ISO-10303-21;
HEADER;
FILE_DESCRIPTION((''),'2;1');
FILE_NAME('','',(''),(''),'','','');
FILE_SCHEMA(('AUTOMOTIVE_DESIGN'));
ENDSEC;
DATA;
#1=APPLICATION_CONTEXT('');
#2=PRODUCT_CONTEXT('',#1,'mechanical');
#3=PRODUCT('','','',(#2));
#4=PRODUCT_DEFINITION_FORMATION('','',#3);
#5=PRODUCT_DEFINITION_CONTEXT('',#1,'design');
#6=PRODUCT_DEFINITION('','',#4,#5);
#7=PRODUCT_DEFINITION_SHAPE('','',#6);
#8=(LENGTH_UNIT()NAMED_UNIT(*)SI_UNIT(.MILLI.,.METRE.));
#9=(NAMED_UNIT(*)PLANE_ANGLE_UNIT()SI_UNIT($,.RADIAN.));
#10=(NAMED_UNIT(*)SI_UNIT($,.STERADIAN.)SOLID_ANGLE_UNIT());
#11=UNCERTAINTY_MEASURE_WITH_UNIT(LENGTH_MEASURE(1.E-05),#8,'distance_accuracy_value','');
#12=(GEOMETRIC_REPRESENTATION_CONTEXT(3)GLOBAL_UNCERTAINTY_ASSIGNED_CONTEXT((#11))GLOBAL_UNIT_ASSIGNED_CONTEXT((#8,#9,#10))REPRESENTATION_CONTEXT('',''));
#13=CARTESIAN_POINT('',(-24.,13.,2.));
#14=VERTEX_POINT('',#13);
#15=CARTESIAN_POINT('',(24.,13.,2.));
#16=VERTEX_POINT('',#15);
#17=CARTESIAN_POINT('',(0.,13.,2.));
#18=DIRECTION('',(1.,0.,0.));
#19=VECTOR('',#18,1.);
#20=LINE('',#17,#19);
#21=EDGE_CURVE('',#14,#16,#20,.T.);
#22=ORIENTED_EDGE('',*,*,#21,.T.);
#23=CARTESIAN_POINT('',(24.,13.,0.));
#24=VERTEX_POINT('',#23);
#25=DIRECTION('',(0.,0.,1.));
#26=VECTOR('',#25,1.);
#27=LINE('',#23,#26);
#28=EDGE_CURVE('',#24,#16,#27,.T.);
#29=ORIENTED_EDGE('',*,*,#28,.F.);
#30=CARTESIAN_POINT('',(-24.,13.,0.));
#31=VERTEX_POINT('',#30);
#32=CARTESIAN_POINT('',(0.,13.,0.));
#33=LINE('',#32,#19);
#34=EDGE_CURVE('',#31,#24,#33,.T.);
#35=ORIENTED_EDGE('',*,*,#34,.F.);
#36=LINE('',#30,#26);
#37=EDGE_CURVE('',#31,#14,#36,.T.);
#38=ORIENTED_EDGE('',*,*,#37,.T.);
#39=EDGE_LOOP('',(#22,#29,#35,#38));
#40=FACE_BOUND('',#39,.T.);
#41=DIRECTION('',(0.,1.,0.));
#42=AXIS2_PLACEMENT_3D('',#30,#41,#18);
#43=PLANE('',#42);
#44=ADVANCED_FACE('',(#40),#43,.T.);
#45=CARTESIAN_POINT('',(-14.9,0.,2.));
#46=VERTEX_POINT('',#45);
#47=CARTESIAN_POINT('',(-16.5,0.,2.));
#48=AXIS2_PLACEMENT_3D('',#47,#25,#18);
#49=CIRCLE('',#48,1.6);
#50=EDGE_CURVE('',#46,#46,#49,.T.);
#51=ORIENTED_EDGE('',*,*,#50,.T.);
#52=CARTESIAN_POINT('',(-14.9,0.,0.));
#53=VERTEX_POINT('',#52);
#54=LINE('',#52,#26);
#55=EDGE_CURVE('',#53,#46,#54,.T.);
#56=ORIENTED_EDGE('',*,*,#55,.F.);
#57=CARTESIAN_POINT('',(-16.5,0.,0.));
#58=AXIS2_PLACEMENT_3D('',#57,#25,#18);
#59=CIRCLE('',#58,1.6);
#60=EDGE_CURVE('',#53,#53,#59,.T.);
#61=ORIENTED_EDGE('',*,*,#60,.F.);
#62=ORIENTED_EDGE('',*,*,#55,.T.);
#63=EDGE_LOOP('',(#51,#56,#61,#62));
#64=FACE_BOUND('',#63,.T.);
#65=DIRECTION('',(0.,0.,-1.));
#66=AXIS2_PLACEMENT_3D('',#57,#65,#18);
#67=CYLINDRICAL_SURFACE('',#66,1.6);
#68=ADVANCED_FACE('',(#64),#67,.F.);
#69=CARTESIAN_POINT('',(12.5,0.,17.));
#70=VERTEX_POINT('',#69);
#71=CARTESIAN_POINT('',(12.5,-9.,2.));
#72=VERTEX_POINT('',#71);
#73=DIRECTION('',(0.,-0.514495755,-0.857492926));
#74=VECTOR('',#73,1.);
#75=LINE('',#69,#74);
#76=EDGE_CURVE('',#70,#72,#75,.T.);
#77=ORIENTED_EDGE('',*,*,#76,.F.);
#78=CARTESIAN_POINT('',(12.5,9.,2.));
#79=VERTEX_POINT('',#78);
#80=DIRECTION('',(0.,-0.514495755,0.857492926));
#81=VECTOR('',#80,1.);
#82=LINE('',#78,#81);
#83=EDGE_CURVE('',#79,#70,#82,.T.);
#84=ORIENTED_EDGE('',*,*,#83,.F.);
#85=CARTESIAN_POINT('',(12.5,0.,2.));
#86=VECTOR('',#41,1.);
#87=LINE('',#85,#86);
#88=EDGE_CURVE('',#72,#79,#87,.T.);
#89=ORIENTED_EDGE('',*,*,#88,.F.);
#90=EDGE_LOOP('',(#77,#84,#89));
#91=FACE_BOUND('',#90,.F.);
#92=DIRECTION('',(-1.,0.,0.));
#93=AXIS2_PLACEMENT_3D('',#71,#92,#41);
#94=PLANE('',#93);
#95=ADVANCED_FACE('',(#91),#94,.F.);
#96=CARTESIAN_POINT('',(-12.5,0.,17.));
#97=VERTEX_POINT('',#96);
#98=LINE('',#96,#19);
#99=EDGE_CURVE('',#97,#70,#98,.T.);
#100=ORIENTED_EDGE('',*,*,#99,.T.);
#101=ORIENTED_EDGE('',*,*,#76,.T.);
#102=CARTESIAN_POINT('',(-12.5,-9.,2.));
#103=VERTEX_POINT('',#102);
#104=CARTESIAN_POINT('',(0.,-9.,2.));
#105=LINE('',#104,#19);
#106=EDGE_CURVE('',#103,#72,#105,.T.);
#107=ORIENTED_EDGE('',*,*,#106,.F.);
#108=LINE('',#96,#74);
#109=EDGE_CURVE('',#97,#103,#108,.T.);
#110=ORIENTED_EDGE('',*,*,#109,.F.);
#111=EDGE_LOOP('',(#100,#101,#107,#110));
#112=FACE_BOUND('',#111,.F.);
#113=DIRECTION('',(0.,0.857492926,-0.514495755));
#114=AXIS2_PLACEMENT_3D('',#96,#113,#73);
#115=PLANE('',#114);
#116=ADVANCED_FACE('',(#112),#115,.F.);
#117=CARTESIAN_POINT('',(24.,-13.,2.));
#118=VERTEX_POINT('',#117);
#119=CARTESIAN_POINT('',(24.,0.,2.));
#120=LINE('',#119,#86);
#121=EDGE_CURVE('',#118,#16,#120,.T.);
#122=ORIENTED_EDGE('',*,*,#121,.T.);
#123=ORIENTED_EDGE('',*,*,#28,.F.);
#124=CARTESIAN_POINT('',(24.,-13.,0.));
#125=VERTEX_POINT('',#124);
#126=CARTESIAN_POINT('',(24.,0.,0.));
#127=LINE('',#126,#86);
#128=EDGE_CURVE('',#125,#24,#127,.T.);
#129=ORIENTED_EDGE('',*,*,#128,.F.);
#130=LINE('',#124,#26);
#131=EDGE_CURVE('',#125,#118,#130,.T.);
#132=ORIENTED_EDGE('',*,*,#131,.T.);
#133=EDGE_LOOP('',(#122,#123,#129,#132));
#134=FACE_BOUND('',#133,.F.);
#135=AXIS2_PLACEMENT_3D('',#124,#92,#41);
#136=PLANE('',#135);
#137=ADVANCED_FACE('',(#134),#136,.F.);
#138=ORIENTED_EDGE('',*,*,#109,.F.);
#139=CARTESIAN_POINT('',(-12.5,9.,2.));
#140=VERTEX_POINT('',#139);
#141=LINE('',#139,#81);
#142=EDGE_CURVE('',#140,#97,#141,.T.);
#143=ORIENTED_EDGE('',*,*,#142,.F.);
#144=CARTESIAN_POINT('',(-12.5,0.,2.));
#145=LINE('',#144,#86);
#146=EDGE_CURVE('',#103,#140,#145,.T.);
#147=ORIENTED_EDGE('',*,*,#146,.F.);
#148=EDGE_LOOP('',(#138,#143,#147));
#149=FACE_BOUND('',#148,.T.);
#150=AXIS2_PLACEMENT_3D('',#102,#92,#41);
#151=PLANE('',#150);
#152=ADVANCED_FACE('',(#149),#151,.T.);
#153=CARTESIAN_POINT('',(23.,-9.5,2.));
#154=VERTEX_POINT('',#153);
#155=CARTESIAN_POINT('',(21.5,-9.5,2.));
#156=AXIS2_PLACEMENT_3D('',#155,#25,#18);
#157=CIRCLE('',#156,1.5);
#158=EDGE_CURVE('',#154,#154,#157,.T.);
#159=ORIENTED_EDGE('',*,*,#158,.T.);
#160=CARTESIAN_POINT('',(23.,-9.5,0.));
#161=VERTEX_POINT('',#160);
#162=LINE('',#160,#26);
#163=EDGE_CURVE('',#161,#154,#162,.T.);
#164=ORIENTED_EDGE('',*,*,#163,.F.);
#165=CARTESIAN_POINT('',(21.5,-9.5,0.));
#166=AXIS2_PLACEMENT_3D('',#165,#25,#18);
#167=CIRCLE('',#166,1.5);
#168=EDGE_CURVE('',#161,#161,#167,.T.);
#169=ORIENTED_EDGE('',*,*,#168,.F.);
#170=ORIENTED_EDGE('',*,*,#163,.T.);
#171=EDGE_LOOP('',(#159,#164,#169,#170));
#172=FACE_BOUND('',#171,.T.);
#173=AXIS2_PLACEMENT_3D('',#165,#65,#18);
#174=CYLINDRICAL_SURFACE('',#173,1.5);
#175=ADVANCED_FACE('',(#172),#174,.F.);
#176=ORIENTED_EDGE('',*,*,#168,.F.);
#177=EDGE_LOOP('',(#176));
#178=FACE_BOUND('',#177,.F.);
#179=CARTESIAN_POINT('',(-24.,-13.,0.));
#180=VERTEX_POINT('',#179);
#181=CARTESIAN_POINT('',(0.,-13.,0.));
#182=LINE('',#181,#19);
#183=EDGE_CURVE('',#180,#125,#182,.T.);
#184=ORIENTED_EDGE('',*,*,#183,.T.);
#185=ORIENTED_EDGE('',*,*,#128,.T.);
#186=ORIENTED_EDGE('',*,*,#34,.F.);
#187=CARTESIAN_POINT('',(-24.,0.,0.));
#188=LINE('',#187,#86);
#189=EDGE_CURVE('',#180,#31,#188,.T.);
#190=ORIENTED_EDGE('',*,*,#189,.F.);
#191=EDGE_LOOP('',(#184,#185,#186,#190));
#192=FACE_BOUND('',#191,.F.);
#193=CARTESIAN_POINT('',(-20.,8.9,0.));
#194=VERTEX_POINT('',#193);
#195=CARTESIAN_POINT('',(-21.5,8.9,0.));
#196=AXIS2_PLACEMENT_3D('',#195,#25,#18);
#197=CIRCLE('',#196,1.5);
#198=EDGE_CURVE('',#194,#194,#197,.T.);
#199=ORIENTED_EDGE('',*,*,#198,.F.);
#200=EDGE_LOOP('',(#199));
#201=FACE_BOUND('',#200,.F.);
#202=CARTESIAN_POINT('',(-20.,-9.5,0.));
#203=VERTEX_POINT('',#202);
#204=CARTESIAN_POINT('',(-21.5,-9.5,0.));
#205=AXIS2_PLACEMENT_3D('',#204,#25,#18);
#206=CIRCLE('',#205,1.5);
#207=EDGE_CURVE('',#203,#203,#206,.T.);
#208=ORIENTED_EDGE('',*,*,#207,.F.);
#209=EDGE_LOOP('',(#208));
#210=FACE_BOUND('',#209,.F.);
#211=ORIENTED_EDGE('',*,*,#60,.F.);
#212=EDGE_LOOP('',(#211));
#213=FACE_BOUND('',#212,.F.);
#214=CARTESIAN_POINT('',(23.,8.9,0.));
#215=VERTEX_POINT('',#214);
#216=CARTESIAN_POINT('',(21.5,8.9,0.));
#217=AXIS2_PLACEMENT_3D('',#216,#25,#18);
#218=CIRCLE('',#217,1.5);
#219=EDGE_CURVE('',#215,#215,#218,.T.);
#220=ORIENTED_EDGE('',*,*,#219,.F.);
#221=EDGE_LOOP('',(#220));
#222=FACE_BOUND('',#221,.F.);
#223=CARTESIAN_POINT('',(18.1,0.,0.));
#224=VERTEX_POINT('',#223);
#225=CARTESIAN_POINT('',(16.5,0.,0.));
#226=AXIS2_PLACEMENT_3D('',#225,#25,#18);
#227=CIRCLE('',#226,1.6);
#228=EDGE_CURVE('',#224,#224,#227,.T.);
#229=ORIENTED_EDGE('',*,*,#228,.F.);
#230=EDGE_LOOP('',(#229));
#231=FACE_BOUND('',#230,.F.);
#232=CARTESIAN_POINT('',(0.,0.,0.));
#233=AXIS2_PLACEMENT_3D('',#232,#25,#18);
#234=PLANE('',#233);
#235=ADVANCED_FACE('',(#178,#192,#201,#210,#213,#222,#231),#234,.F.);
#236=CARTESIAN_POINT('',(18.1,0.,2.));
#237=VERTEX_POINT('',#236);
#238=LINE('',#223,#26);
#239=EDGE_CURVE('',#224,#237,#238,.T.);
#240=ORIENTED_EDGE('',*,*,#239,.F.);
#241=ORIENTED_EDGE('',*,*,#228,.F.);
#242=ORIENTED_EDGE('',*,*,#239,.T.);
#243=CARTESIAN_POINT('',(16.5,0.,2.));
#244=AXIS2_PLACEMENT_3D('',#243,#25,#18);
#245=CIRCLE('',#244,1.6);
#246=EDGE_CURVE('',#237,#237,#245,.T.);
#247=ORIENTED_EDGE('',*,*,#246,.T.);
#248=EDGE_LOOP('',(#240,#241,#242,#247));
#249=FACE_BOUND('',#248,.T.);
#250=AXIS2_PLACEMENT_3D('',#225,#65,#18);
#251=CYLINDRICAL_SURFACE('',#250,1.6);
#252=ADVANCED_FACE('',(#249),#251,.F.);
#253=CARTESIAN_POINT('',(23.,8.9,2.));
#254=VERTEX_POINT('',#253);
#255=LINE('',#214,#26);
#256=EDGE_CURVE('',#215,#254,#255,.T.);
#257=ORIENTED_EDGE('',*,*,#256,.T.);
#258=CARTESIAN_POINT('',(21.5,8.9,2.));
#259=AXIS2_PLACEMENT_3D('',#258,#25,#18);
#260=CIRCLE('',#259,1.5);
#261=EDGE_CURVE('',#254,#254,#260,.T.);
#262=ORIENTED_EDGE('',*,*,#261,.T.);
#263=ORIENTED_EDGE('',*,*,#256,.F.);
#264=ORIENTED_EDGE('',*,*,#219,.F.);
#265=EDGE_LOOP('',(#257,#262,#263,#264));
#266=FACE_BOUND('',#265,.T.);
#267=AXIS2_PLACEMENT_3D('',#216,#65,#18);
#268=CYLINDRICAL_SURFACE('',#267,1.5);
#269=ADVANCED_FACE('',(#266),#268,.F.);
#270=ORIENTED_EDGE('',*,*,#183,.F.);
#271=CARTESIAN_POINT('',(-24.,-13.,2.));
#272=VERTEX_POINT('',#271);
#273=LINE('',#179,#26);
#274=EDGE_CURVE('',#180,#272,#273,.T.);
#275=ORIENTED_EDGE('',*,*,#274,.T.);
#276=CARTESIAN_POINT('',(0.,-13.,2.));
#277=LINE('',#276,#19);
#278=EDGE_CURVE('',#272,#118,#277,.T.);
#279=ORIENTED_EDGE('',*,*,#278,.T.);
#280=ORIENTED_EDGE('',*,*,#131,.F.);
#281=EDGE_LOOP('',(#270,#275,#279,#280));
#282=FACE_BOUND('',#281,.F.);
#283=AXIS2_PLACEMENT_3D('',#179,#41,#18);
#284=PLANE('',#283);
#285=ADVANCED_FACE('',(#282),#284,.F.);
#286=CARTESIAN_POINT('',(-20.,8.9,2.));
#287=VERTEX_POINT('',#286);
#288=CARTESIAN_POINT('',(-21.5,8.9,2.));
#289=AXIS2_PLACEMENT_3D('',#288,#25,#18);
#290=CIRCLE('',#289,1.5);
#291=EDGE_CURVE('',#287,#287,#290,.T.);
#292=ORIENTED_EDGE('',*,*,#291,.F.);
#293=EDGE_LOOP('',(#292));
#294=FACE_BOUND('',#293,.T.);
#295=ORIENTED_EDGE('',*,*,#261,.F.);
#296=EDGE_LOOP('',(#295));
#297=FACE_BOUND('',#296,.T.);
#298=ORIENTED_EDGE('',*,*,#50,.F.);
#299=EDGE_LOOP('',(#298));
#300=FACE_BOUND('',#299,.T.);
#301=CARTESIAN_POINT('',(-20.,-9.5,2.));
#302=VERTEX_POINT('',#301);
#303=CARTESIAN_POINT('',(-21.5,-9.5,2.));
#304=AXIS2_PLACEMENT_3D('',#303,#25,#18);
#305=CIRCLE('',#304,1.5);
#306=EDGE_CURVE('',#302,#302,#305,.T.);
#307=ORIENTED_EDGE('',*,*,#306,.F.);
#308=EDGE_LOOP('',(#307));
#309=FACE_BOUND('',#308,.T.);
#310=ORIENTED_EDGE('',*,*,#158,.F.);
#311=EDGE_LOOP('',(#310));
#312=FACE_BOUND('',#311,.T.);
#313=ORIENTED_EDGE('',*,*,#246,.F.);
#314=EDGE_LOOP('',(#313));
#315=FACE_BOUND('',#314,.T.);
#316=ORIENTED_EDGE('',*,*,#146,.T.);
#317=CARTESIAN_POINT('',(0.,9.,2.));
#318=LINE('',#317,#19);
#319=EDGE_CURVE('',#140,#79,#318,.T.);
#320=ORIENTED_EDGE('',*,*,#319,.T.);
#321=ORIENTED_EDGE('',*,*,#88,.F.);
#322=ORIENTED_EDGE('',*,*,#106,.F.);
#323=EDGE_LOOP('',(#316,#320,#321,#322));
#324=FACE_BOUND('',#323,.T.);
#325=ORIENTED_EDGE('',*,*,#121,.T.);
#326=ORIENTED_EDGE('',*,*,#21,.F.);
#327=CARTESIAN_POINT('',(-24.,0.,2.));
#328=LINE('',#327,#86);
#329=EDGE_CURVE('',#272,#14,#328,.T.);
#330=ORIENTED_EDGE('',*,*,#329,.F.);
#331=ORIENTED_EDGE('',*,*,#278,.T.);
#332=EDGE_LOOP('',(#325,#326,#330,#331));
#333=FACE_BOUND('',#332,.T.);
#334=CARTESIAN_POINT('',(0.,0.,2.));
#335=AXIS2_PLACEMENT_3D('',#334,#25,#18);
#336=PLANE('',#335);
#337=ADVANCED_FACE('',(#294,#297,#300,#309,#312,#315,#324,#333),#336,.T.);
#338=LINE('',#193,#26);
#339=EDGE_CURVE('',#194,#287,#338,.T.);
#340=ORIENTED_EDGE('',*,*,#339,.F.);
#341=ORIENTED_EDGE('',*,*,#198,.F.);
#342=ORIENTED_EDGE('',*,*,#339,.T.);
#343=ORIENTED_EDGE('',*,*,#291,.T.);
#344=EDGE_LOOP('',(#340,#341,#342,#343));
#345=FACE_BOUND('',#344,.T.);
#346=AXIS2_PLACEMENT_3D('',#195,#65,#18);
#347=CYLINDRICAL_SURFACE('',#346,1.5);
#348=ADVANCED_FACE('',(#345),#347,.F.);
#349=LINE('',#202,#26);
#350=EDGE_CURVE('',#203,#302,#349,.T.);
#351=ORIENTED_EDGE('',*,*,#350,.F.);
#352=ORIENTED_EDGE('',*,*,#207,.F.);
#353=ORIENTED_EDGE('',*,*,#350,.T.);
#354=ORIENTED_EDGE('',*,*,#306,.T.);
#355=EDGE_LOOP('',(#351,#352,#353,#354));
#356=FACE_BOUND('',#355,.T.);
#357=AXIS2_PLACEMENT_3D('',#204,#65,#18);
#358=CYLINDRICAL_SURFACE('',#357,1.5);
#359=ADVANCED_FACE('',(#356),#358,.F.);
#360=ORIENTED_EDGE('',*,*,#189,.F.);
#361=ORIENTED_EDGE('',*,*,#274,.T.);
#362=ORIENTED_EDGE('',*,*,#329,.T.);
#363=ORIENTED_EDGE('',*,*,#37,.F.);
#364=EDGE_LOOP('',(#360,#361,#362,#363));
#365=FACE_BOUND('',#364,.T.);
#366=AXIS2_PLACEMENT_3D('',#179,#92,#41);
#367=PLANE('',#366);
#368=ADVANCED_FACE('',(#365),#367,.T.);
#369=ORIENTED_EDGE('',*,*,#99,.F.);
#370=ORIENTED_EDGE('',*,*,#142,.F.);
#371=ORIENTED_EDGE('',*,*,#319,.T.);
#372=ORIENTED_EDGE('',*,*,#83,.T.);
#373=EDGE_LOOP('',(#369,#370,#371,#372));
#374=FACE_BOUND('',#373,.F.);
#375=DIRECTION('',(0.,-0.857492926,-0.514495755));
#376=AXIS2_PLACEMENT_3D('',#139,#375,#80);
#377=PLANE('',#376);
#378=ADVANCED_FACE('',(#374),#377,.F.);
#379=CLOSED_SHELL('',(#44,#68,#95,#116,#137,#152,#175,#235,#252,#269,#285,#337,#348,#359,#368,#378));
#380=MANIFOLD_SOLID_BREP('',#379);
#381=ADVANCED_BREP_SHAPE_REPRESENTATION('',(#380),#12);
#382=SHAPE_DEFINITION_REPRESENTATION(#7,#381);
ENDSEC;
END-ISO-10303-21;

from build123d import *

# Parameters (mm, degrees)
F0_W     = 48
F0_H     = 26
F0_R     = 1.5
F0_R_2   = 1.6
F1_DEPTH = 2
F2_W     = 25
F2_H     = 18
F3_DEPTH = 15
F5_DEPTH = 25


with BuildPart() as f1:
    # F0 (on Top) → F1 (new body)
    with BuildSketch(Plane.XY):
        Rectangle(F0_W, F0_H)
        with Locations((-21.5, -9.5)):
            Circle(F0_R, mode=Mode.SUBTRACT)
        with Locations((21.5, -9.5)):
            Circle(F0_R, mode=Mode.SUBTRACT)
        with Locations((-16.5, 0)):
            Circle(F0_R_2, mode=Mode.SUBTRACT)
        with Locations((-21.5, 8.9)):
            Circle(F0_R, mode=Mode.SUBTRACT)
        with Locations((16.5, 0)):
            Circle(F0_R_2, mode=Mode.SUBTRACT)
        with Locations((21.5, 8.9)):
            Circle(F0_R, mode=Mode.SUBTRACT)
    extrude(amount=F1_DEPTH)

    # F2 (on face) → F3 (join)
    with BuildSketch(Plane.XY.offset(2)):
        Rectangle(F2_W, F2_H)
    extrude(amount=F3_DEPTH)

    # F4 (on face) → F5 (cut)
    with BuildSketch(Plane(origin=(-12.5, 0, 0), x_dir=(0, -1, 0), z_dir=(-1, 0, 0))):
        Polygon((-9, 17), (-9, 2), (0, 17), align=None)
        Polygon((9, 17), (0, 17), (9, 2), align=None)
    extrude(amount=-F5_DEPTH, mode=Mode.SUBTRACT)


solid = f1.part
